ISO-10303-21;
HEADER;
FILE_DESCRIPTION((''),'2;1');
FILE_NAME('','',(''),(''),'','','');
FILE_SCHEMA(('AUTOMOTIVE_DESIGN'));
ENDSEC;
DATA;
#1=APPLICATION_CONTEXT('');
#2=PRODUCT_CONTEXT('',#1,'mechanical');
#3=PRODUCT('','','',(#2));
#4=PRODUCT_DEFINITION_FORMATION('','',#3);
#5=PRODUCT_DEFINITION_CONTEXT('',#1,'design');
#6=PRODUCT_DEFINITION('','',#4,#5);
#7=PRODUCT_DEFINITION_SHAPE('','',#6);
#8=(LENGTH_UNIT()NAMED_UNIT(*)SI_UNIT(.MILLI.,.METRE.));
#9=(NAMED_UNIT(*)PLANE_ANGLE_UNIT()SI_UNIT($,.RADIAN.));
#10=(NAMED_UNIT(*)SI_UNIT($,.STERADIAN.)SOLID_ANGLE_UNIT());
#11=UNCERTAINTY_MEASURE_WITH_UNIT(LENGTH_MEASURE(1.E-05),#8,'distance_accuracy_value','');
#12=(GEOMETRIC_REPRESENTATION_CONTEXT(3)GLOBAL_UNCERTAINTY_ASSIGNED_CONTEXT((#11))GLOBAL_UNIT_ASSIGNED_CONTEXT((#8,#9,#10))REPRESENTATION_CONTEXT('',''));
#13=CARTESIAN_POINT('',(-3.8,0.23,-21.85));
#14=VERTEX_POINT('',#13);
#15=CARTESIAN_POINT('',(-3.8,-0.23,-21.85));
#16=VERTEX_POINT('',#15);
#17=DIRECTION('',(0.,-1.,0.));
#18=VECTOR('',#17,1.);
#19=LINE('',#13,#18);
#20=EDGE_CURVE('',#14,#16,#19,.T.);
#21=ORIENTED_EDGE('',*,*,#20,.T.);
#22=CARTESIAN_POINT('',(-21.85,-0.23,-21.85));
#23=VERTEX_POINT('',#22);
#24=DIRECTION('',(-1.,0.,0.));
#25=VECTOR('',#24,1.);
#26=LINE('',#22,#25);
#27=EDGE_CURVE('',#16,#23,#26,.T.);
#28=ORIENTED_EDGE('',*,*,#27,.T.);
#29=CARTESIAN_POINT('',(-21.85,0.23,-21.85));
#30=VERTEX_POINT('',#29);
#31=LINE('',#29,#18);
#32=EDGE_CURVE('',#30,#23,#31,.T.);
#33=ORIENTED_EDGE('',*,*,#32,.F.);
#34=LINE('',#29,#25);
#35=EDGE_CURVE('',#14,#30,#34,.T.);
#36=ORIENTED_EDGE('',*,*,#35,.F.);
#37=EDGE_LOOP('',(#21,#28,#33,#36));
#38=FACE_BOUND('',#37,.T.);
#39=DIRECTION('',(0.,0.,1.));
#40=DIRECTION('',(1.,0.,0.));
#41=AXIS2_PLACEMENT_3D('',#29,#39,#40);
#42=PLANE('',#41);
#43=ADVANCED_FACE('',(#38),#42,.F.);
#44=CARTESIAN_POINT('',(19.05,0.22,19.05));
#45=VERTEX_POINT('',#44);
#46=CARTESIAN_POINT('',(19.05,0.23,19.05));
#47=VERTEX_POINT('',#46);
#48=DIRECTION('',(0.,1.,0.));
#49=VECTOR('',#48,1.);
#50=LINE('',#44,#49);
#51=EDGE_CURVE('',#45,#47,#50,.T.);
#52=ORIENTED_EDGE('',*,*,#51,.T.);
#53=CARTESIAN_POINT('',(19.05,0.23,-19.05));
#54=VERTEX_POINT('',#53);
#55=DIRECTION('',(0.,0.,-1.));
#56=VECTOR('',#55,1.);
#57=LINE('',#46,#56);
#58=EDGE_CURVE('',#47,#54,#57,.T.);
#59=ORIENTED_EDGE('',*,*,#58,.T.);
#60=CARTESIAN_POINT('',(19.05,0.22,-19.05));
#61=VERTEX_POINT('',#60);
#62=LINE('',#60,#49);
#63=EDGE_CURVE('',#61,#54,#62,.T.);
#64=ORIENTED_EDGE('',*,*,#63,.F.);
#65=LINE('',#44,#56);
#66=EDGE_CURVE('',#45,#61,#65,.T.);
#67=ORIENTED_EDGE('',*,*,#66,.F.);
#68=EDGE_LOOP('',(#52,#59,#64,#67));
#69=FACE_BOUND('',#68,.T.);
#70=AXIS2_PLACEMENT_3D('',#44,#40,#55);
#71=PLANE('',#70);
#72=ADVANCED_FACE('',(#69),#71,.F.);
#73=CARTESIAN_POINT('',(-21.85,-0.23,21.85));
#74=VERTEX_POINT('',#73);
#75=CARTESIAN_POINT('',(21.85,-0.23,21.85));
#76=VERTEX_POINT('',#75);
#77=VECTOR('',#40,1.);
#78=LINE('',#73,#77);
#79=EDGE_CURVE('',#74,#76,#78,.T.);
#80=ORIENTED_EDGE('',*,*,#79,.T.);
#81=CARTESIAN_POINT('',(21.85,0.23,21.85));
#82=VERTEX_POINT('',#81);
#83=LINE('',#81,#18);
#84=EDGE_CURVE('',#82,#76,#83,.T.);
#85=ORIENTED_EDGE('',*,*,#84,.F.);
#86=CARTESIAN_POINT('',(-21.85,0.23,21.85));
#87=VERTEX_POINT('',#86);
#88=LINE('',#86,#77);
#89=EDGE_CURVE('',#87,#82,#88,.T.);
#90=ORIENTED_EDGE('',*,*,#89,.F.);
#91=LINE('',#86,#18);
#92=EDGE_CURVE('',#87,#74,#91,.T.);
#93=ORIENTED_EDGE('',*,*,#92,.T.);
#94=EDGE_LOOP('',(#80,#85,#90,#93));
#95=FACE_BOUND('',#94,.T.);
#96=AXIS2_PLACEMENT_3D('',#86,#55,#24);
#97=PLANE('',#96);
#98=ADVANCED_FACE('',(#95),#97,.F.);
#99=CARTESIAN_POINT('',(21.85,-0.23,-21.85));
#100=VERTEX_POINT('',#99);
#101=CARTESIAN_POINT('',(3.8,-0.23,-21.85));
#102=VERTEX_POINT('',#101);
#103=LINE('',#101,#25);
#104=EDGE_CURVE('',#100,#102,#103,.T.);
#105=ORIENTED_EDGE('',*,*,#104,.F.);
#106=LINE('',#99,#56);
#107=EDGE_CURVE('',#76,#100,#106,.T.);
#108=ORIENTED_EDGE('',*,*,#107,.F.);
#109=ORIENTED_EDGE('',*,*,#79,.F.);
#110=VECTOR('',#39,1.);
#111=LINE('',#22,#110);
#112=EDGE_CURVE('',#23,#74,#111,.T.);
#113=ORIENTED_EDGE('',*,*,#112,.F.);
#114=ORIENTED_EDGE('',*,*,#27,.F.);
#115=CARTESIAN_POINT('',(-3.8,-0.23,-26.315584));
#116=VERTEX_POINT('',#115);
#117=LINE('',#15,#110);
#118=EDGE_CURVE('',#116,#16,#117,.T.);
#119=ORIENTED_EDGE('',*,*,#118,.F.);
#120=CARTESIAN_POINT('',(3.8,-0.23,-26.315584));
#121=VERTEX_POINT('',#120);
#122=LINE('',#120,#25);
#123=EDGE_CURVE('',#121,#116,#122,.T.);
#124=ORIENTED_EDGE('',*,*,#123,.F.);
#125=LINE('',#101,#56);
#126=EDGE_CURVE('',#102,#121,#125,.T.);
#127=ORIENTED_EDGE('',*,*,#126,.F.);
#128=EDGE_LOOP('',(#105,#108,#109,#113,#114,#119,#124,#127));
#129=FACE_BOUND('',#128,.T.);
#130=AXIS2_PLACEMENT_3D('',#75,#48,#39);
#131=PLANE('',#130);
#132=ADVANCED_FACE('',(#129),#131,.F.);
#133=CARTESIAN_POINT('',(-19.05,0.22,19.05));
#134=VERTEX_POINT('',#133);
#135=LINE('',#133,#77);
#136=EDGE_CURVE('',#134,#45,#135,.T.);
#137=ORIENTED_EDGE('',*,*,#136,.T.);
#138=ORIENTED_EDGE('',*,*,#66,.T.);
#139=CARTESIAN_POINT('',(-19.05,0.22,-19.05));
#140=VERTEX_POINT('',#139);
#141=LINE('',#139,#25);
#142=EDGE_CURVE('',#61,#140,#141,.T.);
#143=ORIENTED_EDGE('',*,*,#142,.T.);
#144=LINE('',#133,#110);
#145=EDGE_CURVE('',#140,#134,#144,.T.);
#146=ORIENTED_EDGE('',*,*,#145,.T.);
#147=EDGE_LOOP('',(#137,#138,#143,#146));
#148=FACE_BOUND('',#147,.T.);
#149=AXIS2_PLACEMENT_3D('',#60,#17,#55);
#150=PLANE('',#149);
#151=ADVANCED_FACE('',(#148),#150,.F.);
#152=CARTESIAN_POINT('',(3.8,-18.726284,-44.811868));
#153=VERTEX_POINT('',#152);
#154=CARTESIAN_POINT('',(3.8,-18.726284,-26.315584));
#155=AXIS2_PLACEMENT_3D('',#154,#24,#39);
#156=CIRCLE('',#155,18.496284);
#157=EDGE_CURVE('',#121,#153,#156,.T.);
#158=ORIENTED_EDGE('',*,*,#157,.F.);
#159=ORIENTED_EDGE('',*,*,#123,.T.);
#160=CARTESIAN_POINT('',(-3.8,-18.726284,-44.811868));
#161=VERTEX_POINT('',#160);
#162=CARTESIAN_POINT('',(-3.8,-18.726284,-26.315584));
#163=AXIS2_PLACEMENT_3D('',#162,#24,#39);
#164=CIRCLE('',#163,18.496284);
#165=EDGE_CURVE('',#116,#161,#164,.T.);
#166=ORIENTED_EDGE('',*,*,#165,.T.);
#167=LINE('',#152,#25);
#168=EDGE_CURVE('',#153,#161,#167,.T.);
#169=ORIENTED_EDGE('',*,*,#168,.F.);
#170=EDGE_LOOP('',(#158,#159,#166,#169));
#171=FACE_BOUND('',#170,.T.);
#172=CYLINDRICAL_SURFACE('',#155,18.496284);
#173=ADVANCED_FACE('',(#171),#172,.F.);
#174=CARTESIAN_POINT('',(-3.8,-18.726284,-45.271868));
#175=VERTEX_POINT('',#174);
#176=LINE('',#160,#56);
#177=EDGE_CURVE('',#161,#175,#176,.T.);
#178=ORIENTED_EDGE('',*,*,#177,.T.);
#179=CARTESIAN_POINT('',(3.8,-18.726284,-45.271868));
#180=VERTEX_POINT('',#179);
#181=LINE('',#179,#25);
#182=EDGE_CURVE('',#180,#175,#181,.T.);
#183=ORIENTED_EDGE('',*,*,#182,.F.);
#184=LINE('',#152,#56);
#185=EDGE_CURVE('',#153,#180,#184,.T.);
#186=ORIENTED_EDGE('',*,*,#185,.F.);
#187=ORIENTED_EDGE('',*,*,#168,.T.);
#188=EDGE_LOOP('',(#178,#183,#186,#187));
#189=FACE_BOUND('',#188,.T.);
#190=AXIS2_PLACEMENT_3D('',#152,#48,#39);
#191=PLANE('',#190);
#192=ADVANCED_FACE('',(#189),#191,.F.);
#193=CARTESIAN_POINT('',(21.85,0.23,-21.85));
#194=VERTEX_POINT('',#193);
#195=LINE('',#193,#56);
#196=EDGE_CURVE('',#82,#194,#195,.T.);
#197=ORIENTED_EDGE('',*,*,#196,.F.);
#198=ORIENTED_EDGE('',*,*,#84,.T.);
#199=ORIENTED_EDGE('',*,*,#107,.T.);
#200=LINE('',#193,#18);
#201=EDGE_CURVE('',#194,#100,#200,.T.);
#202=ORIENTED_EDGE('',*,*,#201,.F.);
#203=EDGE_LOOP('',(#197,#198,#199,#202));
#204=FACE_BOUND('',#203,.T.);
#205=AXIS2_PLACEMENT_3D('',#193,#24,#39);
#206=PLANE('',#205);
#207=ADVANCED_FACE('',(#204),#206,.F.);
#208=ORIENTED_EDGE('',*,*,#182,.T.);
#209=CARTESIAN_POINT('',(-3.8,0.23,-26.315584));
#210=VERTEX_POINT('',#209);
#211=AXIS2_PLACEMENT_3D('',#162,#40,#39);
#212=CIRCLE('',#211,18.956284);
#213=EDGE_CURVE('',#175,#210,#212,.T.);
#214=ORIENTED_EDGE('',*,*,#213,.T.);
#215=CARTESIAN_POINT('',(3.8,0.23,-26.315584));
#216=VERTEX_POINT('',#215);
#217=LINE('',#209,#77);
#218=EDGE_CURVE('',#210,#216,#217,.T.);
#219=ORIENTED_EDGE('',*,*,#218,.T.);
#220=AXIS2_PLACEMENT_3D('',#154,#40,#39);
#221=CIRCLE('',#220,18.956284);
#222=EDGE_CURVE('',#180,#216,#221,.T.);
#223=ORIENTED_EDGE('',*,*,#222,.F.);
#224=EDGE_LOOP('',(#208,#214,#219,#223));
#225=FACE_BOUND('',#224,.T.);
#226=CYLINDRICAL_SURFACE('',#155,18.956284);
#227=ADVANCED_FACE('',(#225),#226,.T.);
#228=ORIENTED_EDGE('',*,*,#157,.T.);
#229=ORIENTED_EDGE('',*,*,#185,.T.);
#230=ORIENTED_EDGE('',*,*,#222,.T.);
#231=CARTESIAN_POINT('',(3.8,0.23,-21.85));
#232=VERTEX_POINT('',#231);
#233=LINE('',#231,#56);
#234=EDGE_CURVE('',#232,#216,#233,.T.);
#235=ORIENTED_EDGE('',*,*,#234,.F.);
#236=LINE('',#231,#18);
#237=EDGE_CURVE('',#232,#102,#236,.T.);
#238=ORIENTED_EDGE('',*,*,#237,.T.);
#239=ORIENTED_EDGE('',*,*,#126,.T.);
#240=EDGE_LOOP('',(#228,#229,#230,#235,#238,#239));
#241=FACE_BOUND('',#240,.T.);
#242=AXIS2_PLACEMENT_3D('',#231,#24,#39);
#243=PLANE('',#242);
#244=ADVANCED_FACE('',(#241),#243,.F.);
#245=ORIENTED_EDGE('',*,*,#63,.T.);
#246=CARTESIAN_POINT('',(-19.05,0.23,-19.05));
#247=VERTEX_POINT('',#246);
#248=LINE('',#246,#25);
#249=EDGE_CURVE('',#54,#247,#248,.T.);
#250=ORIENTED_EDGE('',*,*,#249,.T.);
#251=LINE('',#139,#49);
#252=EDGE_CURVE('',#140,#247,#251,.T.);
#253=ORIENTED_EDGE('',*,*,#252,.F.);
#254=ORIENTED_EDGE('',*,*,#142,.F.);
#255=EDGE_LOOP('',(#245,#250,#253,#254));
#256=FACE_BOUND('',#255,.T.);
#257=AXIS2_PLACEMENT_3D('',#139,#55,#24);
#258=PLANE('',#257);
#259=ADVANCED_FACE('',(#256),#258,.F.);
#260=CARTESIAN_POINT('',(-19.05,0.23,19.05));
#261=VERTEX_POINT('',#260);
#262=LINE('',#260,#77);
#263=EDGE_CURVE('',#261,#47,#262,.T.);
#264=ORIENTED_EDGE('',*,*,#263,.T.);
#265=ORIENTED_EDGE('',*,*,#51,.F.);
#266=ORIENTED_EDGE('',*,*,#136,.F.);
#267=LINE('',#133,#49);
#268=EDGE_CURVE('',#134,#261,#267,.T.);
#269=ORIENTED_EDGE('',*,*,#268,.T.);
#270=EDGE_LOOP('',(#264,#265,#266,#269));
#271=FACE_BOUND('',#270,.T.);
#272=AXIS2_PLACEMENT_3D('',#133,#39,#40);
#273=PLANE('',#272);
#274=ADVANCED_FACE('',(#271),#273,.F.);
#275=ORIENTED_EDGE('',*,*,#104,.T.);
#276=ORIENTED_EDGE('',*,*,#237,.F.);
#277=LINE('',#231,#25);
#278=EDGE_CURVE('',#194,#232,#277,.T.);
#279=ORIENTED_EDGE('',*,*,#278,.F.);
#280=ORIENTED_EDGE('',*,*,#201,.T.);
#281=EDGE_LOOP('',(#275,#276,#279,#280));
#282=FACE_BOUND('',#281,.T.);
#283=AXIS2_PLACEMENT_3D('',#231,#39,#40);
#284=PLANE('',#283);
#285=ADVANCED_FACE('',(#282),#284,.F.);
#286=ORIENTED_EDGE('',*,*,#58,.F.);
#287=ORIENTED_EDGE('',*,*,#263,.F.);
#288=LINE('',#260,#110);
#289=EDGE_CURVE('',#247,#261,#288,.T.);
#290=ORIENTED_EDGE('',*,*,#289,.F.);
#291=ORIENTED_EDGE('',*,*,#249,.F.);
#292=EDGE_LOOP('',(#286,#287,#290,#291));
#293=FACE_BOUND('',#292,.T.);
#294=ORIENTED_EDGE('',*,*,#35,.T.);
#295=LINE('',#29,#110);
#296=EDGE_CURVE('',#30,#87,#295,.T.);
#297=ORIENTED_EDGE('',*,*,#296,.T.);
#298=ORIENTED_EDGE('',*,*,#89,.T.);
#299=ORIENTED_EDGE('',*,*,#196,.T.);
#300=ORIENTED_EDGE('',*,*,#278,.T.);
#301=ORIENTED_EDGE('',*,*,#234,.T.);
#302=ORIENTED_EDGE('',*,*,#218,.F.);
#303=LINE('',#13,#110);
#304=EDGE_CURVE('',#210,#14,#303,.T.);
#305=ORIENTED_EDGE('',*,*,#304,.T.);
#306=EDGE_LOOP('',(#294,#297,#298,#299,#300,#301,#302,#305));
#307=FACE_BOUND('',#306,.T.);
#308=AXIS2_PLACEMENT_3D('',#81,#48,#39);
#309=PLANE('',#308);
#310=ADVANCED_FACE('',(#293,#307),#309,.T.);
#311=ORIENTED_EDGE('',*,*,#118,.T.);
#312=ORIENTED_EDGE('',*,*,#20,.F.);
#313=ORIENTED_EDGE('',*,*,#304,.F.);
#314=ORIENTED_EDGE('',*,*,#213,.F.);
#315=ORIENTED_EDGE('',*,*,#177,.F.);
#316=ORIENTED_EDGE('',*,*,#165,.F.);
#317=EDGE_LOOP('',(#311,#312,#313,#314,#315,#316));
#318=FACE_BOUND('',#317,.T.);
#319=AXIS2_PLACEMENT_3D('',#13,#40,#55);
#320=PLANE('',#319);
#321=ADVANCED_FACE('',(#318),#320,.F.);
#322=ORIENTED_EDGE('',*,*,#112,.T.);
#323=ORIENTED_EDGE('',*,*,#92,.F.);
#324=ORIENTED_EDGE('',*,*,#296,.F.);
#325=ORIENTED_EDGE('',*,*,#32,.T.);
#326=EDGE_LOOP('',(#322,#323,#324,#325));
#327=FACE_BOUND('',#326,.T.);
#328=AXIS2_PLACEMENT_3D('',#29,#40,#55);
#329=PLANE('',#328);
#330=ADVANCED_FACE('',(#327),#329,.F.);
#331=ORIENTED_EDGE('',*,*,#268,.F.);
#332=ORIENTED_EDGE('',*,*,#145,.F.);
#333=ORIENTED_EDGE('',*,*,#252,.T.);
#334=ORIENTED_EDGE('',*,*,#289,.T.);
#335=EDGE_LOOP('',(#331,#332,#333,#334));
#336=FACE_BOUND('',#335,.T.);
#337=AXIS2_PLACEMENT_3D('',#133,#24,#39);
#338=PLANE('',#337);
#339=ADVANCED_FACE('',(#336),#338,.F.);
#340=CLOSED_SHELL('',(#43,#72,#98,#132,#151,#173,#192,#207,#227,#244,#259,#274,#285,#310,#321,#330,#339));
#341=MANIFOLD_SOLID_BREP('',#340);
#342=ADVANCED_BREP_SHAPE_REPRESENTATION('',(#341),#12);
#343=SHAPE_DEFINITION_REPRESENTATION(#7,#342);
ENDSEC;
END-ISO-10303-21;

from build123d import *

# Parameters (mm, degrees)
BOSS_EXTRUDE1_DEPTH = 0.23
SKETCH2_W           = 38.1
SKETCH2_H           = 38.1
CUT_EXTRUDE1_DEPTH  = 0.01
BOSS_EXTRUDE2_DEPTH = 3.8
CUT_EXTRUDE2_DEPTH  = 3.8


with BuildPart() as part:
    # Sketch1 → Boss-Extrude1 (new body, symmetric)
    with BuildSketch(Plane(origin=(0, 0, 0), x_dir=(1, 0, 0), z_dir=(0, 1, 0))):
        Polygon((3.8, 21.85), (21.85, 21.85), (21.85, -21.85), (-21.85, -21.85), (-21.85, 21.85), (-3.8, 21.85), (-3.8, 61.95), (3.8, 61.95), align=None)
    extrude(amount=BOSS_EXTRUDE1_DEPTH, both=True)

    # Sketch2 → Cut-Extrude1 (cut)
    with BuildSketch(Plane(origin=(0, 0.23, 0), x_dir=(1, 0, 0), z_dir=(0, 1, 0))):
        Rectangle(SKETCH2_W, SKETCH2_H)
    extrude(amount=-CUT_EXTRUDE1_DEPTH, mode=Mode.SUBTRACT)

    # Sketch3 → Boss-Extrude2 (add, symmetric)
    with BuildSketch(Plane(origin=(0, 0, 0), x_dir=(0, 0, -1), z_dir=(1, 0, 0))):
        with BuildLine():
            Line((26.315584349, 0.23), (26.315584349, -0.23))
            ThreePointArc((26.315584349, -0.23), (39.394431992, -5.647436074), (44.811868066, -18.726283717))
            Line((44.811868066, -18.726283717), (45.271868066, -18.726283717))
            ThreePointArc((45.271868066, -18.726283717), (39.719701111, -5.322166955), (26.315584349, 0.23))
        make_face()
    extrude(amount=BOSS_EXTRUDE2_DEPTH, both=True)

    # Sketch4 → Cut-Extrude2 (cut, symmetric)
    with BuildSketch(Plane(origin=(0, 0, 0), x_dir=(0, 0, -1), z_dir=(1, 0, 0))):
        with BuildLine():
            Line((30.466268753, -0.23), (61.95, -0.23))
            Line((61.95, -0.23), (61.95, 0.23))
            Line((61.95, 0.23), (26.315584349, 0.23))
            ThreePointArc((26.315584349, 0.23), (28.403632542, 0.114649039), (30.466268753, -0.23))
        make_face()
    extrude(amount=CUT_EXTRUDE2_DEPTH, both=True, mode=Mode.SUBTRACT)


solid = part.part
